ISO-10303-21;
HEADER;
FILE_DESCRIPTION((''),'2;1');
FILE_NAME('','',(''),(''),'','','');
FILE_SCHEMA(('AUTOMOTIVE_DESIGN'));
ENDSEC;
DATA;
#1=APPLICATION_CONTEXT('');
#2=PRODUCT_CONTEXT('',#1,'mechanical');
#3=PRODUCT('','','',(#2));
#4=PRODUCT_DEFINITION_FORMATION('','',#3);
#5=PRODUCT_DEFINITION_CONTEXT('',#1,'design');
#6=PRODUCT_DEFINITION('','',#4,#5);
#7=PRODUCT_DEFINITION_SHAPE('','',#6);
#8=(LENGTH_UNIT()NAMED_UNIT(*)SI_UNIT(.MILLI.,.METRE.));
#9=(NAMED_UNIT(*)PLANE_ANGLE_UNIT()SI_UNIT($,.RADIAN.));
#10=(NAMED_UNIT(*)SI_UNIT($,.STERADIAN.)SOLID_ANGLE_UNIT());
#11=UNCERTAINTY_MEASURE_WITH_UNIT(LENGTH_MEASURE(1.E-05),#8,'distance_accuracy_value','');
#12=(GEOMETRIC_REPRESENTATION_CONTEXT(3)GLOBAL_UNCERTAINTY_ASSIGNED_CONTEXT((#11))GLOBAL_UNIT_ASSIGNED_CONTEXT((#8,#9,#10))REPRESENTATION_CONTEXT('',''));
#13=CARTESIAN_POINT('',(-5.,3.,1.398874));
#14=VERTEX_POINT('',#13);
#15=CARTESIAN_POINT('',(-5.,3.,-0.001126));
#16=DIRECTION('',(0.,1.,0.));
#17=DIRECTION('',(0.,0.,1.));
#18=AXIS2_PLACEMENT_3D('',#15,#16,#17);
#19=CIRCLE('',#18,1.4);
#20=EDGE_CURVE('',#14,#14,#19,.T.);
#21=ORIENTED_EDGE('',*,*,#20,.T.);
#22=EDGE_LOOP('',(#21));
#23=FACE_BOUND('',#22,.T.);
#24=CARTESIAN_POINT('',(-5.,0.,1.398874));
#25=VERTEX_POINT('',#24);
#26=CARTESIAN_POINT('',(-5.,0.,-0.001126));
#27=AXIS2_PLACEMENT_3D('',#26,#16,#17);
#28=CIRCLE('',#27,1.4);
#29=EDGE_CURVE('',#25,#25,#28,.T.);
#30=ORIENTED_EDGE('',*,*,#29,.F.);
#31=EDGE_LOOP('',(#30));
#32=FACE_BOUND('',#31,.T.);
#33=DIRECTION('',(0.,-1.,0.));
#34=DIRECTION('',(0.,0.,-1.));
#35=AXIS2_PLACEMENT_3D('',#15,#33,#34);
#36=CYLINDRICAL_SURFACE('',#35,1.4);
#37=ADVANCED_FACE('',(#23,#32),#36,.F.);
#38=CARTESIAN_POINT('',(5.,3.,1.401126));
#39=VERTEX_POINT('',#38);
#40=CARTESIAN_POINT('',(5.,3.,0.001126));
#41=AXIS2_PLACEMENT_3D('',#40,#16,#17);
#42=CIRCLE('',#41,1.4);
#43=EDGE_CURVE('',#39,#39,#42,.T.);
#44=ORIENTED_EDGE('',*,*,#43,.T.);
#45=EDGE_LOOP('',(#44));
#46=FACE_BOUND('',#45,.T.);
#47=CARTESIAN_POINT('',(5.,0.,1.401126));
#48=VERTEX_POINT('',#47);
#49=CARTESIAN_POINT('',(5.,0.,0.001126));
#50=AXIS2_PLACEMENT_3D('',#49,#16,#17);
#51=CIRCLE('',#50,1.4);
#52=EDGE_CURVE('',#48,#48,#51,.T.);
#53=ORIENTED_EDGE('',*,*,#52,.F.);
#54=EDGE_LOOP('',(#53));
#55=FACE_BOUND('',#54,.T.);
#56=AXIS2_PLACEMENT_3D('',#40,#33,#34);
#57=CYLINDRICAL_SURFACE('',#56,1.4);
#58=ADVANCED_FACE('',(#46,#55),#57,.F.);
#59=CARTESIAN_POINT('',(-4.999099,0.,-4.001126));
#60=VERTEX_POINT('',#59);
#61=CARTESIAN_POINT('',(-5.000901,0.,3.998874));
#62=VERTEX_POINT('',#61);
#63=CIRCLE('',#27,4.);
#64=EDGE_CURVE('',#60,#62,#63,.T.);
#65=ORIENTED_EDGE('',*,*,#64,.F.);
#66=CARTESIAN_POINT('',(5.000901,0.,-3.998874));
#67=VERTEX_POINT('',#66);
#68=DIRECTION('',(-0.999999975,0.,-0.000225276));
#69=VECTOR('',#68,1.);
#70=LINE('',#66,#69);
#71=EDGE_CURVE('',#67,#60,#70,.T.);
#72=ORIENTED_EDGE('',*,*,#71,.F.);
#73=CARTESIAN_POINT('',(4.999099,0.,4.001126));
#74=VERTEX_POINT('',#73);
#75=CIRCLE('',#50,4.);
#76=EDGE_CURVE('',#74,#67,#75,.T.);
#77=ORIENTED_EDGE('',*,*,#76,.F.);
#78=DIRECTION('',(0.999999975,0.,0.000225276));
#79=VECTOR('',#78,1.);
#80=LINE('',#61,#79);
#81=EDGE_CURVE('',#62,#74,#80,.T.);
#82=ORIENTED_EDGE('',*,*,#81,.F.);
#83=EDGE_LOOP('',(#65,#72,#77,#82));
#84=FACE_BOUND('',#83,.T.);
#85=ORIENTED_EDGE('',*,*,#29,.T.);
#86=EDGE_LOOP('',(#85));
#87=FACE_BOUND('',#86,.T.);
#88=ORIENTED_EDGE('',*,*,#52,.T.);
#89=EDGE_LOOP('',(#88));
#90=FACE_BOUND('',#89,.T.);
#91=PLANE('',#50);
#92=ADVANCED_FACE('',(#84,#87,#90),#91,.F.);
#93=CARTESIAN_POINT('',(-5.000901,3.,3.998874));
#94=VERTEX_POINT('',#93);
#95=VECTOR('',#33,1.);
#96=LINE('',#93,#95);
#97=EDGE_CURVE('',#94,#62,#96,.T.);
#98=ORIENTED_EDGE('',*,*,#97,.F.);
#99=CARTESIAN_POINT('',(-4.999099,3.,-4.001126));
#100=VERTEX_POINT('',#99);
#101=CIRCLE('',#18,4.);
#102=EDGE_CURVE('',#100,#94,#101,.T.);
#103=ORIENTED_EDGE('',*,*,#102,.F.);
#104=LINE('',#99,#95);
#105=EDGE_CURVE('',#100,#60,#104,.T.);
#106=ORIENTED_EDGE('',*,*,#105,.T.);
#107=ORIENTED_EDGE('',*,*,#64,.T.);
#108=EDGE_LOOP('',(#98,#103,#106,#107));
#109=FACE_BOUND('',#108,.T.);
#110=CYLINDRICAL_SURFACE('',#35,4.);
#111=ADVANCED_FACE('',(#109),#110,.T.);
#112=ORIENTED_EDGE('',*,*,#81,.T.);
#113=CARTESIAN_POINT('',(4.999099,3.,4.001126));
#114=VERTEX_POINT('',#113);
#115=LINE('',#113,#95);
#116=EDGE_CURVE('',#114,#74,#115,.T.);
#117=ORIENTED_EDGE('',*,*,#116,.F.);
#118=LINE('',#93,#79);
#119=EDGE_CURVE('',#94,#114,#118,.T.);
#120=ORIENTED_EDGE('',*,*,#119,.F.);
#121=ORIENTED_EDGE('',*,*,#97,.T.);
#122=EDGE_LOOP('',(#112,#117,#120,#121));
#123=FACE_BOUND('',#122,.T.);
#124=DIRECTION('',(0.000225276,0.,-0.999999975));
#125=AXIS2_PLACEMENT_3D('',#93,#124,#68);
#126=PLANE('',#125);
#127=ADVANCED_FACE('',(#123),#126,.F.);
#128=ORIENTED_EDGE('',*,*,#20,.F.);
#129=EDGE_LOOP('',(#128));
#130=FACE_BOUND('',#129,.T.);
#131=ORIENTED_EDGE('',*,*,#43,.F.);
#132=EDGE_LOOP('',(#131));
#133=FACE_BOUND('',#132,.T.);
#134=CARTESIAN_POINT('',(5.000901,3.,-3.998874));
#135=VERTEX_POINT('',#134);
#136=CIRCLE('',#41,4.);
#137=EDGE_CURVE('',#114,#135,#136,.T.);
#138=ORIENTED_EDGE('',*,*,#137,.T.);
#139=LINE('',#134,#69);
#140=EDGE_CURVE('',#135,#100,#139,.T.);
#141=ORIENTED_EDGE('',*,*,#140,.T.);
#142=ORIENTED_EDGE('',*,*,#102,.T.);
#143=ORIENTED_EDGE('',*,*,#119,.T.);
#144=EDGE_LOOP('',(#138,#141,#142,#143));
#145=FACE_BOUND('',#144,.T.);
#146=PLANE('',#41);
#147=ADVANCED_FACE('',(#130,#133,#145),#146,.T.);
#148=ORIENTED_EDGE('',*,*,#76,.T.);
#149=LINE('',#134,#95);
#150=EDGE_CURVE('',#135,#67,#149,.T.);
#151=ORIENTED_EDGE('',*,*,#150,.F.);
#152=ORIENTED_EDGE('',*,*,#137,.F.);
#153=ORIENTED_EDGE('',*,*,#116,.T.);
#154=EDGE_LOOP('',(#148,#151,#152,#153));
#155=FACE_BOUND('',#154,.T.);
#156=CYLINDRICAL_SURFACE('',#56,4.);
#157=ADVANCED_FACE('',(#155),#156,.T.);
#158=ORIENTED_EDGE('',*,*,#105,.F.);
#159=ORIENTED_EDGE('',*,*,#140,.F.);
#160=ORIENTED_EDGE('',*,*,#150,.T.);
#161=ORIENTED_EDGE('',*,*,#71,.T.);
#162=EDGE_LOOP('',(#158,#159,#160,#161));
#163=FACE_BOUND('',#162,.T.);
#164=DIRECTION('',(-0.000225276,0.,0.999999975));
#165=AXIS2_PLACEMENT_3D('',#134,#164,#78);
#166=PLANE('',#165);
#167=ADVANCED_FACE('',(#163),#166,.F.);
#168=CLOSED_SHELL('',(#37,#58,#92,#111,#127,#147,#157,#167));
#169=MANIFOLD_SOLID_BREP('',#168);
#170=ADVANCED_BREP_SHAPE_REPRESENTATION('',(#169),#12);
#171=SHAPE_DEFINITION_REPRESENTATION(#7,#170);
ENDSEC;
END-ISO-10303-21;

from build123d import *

# Parameters (mm, degrees)
SKETCH1_R           = 1.4
BOSS_EXTRUDE1_DEPTH = 3


with BuildPart() as part:
    # Sketch1 → Boss-Extrude1 (new body)
    with BuildSketch(Plane(origin=(0, 0, 0), x_dir=(1, 0, 0), z_dir=(0, 1, 0))):
        with BuildLine():
            Line((5.000900978, 3.998873518), (-4.999098768, 4.001126279))
            ThreePointArc((-4.999098768, 4.001126279), (-8.999999772, 0.002027486), (-5.000900978, -3.998873518))
            Line((-5.000900978, -3.998873518), (4.999098768, -4.001126279))
            ThreePointArc((4.999098768, -4.001126279), (8.999999772, -0.002027486), (5.000900978, 3.998873518))
        make_face()
        with Locations((4.999999873, -0.001126381)):
            Circle(SKETCH1_R, mode=Mode.SUBTRACT)
        with Locations((-4.999999873, 0.001126381)):
            Circle(SKETCH1_R, mode=Mode.SUBTRACT)
    extrude(amount=BOSS_EXTRUDE1_DEPTH)


solid = part.part
